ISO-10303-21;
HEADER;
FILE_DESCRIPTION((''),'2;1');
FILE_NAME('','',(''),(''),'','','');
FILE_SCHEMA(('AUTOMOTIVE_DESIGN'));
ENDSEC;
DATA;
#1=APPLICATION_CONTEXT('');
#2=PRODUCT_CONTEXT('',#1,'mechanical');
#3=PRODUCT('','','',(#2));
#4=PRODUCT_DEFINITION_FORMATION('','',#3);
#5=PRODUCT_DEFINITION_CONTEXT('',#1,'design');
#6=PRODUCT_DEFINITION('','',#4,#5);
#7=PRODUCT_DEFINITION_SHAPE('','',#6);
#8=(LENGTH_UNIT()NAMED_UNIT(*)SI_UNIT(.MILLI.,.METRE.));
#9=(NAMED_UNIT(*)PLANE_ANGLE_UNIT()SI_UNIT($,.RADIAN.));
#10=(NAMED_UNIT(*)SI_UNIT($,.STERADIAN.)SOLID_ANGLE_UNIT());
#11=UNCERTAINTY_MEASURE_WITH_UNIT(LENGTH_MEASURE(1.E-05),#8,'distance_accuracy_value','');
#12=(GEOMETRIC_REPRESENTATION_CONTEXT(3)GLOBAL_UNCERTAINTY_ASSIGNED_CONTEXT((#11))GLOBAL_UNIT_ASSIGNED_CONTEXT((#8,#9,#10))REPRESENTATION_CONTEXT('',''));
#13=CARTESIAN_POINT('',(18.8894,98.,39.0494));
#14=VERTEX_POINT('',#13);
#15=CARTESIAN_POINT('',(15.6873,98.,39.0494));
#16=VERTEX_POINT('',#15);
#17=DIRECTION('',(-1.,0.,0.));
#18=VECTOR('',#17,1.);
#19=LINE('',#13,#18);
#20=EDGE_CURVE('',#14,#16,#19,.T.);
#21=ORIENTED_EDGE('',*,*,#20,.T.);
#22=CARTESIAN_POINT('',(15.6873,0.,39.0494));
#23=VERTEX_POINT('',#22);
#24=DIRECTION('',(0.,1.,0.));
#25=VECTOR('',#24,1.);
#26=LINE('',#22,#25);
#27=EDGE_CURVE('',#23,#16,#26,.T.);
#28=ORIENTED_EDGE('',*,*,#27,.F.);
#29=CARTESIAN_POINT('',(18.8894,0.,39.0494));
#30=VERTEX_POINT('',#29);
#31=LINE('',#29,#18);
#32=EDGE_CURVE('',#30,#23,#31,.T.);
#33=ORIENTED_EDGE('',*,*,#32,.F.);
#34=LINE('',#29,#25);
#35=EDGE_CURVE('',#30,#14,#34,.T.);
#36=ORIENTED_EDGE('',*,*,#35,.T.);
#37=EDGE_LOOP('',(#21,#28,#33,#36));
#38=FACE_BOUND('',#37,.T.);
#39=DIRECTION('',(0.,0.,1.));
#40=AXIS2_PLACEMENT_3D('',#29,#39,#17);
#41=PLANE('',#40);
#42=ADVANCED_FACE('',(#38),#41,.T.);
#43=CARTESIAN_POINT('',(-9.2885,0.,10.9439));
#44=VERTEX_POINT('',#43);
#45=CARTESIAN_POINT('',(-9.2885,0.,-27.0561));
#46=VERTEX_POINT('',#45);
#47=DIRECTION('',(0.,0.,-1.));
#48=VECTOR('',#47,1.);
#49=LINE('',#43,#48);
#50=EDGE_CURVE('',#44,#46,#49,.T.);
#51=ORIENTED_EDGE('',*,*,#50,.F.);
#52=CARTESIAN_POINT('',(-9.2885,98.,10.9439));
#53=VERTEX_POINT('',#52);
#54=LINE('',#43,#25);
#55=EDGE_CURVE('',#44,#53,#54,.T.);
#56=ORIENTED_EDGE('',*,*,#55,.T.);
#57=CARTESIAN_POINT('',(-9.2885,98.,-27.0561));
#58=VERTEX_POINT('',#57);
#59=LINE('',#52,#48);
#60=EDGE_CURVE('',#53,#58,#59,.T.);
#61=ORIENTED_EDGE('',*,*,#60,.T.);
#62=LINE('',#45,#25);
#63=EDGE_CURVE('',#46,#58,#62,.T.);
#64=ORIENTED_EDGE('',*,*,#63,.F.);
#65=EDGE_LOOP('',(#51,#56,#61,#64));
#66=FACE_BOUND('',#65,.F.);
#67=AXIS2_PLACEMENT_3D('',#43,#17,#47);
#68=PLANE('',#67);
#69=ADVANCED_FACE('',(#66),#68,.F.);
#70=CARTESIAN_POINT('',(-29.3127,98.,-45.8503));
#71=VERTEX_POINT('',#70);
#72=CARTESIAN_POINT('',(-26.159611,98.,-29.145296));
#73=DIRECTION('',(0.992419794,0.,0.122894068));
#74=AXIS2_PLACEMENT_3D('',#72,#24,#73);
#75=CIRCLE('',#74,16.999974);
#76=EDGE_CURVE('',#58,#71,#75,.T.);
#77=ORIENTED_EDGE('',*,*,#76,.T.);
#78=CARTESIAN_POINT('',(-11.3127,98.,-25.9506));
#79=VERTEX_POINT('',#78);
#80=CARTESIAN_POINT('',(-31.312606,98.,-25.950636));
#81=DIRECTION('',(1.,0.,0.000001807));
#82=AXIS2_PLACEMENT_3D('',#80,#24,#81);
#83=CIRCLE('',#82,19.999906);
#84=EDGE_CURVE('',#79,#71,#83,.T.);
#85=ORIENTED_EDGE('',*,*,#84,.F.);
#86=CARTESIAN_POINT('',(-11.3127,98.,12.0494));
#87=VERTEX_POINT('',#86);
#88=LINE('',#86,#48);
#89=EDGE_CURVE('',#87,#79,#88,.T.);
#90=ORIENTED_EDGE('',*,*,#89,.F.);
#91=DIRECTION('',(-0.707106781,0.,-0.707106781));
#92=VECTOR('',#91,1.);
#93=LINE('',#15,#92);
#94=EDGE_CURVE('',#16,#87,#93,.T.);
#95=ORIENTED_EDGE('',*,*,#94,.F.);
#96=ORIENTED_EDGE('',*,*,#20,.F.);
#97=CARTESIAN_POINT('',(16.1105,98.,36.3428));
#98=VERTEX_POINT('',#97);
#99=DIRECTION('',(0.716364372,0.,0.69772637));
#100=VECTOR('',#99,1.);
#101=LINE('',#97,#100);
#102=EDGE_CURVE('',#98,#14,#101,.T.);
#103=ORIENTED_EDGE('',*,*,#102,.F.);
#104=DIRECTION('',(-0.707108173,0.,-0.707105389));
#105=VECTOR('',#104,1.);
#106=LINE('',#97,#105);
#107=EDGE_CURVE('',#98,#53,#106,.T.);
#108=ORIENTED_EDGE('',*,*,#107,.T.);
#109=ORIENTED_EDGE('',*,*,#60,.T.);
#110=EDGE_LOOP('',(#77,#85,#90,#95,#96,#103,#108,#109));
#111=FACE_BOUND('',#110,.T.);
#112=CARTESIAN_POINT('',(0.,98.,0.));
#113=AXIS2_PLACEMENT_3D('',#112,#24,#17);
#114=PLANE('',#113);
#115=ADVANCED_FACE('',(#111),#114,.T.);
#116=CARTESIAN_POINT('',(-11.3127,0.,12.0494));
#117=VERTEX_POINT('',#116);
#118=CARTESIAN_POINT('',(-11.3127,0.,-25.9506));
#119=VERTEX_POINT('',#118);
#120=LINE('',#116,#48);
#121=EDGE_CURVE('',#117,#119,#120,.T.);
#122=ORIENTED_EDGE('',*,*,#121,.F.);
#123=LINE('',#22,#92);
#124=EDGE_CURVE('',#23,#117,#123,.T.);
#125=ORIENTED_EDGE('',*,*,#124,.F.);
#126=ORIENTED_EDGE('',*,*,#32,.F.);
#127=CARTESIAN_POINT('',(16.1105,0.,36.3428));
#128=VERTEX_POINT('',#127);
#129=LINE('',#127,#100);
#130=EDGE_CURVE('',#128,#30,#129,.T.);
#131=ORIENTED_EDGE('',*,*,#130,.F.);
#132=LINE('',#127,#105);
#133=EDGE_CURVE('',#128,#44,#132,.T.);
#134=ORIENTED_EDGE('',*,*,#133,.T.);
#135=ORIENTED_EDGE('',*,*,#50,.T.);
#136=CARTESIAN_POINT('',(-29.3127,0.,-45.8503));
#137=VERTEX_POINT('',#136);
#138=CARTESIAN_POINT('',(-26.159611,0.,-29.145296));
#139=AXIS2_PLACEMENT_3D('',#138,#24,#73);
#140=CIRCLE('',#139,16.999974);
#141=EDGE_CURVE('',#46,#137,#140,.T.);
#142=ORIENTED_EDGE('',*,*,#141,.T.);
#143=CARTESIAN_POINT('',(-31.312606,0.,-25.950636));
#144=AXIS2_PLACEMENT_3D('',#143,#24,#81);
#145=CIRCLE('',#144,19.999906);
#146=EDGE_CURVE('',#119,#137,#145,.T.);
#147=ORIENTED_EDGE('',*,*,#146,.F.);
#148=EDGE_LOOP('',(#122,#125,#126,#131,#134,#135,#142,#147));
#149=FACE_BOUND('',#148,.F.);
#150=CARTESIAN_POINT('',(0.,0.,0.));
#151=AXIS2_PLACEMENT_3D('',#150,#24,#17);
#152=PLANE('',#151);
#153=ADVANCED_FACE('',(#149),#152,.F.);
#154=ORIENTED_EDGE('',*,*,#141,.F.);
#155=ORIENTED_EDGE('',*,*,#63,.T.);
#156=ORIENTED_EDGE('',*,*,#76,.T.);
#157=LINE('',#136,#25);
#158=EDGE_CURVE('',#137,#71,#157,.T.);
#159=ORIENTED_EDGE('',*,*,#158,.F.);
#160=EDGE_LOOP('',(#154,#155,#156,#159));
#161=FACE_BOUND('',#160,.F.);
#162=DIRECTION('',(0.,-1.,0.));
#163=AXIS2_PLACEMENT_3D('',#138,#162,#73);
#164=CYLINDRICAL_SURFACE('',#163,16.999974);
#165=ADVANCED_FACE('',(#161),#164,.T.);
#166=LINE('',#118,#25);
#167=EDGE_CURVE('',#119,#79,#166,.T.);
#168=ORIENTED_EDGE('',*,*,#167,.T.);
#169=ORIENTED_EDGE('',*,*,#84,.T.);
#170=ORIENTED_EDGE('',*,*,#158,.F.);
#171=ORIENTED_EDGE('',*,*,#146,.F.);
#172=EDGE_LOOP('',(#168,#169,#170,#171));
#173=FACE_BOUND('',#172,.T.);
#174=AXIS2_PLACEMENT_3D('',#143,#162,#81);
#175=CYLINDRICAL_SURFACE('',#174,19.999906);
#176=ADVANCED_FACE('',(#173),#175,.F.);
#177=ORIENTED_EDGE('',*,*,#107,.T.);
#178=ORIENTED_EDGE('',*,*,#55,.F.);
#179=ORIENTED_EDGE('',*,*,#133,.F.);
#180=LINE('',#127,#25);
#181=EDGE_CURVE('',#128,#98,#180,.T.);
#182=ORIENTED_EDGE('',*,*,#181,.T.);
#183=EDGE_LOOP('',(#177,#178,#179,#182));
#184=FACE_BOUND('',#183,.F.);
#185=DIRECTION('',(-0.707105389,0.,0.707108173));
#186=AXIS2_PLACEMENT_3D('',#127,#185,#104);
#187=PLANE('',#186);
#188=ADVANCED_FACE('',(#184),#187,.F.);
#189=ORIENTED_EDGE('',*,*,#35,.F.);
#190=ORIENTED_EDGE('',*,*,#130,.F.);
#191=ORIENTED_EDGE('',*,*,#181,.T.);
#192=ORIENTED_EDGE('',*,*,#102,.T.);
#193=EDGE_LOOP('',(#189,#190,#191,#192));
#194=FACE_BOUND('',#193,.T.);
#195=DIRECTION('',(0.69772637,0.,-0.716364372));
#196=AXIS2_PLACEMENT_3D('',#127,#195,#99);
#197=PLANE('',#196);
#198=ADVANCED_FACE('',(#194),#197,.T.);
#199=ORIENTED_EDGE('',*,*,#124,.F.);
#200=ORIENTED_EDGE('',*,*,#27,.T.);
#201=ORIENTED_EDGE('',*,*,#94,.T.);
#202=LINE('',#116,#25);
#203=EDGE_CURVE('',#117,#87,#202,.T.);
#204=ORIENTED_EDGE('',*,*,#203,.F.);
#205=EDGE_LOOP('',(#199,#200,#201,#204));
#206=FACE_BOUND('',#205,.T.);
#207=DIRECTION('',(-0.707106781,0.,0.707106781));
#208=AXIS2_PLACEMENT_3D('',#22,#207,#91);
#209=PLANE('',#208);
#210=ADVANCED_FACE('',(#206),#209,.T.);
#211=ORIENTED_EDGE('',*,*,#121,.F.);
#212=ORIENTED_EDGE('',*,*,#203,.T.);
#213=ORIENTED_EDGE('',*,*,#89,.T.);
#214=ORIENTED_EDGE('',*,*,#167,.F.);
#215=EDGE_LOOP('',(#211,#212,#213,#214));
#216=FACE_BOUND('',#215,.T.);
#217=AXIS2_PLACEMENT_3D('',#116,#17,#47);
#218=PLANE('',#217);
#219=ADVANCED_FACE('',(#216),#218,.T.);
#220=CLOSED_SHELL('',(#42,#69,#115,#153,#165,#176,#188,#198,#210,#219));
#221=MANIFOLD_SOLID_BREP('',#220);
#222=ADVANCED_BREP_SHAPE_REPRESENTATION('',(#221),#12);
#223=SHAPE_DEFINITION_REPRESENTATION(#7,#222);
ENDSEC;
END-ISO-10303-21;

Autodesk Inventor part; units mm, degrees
ref_plane "YZ Plane" through (0, 0, 0) normal (1, 0, 0) x (0, 1, 0)
ref_plane "XZ Plane" through (0, 0, 0) normal (0, 1, 0) x (-1, 0, 0)
ref_plane "XY Plane" through (0, 0, 0) normal (0, 0, 1) x (1, 0, 0)
sketch "Esboço1" plane through (0, 0, 0) normal (0, 1, 0) x (-1, 0, 0)
  line L0 (-15.6873, 39.0494) -> (11.3127, 12.0494)
  line L1 (-16.1105, 36.3428) -> (9.2885, 10.9439)
  line L2 (9.2885, 10.9439) -> (9.2885, -27.0561)
  line L3 (11.3127, 12.0494) -> (11.3127, -25.9506)
  line L4 (29.3127, -45.9506) -> (29.3127, -45.8503)
  arc A0 (9.2885, -27.0561) -> (29.3127, -45.8503) centre (26.1596, -29.1453) ccw
  line L5 (-16.1105, 36.3428) -> (-18.8894, 39.0494)
  line L6 (-18.8894, 39.0494) -> (-15.6873, 39.0494)
  line L7 (-18.8894, 39.0494) -> (-15.6873, 39.0494)
  line L8 (-15.6873, 39.0494) -> (11.3127, 12.0494)
  line L9 (11.3127, 12.0494) -> (11.3127, -25.9506)
  arc A1 (11.3127, -25.9506) -> (29.3127, -45.8503) centre (31.3127, -25.9506) ccw
  arc A2 (11.3127, -25.9506) -> (29.3127, -45.8503) centre (31.3127, -25.9506) ccw
  point P0 (0, 0)
  dimension "d0" = 17
extrude "Extrusão1" add sketch "Esboço1" along normal blind 98
properties part number "tampa mini sumôipt"
